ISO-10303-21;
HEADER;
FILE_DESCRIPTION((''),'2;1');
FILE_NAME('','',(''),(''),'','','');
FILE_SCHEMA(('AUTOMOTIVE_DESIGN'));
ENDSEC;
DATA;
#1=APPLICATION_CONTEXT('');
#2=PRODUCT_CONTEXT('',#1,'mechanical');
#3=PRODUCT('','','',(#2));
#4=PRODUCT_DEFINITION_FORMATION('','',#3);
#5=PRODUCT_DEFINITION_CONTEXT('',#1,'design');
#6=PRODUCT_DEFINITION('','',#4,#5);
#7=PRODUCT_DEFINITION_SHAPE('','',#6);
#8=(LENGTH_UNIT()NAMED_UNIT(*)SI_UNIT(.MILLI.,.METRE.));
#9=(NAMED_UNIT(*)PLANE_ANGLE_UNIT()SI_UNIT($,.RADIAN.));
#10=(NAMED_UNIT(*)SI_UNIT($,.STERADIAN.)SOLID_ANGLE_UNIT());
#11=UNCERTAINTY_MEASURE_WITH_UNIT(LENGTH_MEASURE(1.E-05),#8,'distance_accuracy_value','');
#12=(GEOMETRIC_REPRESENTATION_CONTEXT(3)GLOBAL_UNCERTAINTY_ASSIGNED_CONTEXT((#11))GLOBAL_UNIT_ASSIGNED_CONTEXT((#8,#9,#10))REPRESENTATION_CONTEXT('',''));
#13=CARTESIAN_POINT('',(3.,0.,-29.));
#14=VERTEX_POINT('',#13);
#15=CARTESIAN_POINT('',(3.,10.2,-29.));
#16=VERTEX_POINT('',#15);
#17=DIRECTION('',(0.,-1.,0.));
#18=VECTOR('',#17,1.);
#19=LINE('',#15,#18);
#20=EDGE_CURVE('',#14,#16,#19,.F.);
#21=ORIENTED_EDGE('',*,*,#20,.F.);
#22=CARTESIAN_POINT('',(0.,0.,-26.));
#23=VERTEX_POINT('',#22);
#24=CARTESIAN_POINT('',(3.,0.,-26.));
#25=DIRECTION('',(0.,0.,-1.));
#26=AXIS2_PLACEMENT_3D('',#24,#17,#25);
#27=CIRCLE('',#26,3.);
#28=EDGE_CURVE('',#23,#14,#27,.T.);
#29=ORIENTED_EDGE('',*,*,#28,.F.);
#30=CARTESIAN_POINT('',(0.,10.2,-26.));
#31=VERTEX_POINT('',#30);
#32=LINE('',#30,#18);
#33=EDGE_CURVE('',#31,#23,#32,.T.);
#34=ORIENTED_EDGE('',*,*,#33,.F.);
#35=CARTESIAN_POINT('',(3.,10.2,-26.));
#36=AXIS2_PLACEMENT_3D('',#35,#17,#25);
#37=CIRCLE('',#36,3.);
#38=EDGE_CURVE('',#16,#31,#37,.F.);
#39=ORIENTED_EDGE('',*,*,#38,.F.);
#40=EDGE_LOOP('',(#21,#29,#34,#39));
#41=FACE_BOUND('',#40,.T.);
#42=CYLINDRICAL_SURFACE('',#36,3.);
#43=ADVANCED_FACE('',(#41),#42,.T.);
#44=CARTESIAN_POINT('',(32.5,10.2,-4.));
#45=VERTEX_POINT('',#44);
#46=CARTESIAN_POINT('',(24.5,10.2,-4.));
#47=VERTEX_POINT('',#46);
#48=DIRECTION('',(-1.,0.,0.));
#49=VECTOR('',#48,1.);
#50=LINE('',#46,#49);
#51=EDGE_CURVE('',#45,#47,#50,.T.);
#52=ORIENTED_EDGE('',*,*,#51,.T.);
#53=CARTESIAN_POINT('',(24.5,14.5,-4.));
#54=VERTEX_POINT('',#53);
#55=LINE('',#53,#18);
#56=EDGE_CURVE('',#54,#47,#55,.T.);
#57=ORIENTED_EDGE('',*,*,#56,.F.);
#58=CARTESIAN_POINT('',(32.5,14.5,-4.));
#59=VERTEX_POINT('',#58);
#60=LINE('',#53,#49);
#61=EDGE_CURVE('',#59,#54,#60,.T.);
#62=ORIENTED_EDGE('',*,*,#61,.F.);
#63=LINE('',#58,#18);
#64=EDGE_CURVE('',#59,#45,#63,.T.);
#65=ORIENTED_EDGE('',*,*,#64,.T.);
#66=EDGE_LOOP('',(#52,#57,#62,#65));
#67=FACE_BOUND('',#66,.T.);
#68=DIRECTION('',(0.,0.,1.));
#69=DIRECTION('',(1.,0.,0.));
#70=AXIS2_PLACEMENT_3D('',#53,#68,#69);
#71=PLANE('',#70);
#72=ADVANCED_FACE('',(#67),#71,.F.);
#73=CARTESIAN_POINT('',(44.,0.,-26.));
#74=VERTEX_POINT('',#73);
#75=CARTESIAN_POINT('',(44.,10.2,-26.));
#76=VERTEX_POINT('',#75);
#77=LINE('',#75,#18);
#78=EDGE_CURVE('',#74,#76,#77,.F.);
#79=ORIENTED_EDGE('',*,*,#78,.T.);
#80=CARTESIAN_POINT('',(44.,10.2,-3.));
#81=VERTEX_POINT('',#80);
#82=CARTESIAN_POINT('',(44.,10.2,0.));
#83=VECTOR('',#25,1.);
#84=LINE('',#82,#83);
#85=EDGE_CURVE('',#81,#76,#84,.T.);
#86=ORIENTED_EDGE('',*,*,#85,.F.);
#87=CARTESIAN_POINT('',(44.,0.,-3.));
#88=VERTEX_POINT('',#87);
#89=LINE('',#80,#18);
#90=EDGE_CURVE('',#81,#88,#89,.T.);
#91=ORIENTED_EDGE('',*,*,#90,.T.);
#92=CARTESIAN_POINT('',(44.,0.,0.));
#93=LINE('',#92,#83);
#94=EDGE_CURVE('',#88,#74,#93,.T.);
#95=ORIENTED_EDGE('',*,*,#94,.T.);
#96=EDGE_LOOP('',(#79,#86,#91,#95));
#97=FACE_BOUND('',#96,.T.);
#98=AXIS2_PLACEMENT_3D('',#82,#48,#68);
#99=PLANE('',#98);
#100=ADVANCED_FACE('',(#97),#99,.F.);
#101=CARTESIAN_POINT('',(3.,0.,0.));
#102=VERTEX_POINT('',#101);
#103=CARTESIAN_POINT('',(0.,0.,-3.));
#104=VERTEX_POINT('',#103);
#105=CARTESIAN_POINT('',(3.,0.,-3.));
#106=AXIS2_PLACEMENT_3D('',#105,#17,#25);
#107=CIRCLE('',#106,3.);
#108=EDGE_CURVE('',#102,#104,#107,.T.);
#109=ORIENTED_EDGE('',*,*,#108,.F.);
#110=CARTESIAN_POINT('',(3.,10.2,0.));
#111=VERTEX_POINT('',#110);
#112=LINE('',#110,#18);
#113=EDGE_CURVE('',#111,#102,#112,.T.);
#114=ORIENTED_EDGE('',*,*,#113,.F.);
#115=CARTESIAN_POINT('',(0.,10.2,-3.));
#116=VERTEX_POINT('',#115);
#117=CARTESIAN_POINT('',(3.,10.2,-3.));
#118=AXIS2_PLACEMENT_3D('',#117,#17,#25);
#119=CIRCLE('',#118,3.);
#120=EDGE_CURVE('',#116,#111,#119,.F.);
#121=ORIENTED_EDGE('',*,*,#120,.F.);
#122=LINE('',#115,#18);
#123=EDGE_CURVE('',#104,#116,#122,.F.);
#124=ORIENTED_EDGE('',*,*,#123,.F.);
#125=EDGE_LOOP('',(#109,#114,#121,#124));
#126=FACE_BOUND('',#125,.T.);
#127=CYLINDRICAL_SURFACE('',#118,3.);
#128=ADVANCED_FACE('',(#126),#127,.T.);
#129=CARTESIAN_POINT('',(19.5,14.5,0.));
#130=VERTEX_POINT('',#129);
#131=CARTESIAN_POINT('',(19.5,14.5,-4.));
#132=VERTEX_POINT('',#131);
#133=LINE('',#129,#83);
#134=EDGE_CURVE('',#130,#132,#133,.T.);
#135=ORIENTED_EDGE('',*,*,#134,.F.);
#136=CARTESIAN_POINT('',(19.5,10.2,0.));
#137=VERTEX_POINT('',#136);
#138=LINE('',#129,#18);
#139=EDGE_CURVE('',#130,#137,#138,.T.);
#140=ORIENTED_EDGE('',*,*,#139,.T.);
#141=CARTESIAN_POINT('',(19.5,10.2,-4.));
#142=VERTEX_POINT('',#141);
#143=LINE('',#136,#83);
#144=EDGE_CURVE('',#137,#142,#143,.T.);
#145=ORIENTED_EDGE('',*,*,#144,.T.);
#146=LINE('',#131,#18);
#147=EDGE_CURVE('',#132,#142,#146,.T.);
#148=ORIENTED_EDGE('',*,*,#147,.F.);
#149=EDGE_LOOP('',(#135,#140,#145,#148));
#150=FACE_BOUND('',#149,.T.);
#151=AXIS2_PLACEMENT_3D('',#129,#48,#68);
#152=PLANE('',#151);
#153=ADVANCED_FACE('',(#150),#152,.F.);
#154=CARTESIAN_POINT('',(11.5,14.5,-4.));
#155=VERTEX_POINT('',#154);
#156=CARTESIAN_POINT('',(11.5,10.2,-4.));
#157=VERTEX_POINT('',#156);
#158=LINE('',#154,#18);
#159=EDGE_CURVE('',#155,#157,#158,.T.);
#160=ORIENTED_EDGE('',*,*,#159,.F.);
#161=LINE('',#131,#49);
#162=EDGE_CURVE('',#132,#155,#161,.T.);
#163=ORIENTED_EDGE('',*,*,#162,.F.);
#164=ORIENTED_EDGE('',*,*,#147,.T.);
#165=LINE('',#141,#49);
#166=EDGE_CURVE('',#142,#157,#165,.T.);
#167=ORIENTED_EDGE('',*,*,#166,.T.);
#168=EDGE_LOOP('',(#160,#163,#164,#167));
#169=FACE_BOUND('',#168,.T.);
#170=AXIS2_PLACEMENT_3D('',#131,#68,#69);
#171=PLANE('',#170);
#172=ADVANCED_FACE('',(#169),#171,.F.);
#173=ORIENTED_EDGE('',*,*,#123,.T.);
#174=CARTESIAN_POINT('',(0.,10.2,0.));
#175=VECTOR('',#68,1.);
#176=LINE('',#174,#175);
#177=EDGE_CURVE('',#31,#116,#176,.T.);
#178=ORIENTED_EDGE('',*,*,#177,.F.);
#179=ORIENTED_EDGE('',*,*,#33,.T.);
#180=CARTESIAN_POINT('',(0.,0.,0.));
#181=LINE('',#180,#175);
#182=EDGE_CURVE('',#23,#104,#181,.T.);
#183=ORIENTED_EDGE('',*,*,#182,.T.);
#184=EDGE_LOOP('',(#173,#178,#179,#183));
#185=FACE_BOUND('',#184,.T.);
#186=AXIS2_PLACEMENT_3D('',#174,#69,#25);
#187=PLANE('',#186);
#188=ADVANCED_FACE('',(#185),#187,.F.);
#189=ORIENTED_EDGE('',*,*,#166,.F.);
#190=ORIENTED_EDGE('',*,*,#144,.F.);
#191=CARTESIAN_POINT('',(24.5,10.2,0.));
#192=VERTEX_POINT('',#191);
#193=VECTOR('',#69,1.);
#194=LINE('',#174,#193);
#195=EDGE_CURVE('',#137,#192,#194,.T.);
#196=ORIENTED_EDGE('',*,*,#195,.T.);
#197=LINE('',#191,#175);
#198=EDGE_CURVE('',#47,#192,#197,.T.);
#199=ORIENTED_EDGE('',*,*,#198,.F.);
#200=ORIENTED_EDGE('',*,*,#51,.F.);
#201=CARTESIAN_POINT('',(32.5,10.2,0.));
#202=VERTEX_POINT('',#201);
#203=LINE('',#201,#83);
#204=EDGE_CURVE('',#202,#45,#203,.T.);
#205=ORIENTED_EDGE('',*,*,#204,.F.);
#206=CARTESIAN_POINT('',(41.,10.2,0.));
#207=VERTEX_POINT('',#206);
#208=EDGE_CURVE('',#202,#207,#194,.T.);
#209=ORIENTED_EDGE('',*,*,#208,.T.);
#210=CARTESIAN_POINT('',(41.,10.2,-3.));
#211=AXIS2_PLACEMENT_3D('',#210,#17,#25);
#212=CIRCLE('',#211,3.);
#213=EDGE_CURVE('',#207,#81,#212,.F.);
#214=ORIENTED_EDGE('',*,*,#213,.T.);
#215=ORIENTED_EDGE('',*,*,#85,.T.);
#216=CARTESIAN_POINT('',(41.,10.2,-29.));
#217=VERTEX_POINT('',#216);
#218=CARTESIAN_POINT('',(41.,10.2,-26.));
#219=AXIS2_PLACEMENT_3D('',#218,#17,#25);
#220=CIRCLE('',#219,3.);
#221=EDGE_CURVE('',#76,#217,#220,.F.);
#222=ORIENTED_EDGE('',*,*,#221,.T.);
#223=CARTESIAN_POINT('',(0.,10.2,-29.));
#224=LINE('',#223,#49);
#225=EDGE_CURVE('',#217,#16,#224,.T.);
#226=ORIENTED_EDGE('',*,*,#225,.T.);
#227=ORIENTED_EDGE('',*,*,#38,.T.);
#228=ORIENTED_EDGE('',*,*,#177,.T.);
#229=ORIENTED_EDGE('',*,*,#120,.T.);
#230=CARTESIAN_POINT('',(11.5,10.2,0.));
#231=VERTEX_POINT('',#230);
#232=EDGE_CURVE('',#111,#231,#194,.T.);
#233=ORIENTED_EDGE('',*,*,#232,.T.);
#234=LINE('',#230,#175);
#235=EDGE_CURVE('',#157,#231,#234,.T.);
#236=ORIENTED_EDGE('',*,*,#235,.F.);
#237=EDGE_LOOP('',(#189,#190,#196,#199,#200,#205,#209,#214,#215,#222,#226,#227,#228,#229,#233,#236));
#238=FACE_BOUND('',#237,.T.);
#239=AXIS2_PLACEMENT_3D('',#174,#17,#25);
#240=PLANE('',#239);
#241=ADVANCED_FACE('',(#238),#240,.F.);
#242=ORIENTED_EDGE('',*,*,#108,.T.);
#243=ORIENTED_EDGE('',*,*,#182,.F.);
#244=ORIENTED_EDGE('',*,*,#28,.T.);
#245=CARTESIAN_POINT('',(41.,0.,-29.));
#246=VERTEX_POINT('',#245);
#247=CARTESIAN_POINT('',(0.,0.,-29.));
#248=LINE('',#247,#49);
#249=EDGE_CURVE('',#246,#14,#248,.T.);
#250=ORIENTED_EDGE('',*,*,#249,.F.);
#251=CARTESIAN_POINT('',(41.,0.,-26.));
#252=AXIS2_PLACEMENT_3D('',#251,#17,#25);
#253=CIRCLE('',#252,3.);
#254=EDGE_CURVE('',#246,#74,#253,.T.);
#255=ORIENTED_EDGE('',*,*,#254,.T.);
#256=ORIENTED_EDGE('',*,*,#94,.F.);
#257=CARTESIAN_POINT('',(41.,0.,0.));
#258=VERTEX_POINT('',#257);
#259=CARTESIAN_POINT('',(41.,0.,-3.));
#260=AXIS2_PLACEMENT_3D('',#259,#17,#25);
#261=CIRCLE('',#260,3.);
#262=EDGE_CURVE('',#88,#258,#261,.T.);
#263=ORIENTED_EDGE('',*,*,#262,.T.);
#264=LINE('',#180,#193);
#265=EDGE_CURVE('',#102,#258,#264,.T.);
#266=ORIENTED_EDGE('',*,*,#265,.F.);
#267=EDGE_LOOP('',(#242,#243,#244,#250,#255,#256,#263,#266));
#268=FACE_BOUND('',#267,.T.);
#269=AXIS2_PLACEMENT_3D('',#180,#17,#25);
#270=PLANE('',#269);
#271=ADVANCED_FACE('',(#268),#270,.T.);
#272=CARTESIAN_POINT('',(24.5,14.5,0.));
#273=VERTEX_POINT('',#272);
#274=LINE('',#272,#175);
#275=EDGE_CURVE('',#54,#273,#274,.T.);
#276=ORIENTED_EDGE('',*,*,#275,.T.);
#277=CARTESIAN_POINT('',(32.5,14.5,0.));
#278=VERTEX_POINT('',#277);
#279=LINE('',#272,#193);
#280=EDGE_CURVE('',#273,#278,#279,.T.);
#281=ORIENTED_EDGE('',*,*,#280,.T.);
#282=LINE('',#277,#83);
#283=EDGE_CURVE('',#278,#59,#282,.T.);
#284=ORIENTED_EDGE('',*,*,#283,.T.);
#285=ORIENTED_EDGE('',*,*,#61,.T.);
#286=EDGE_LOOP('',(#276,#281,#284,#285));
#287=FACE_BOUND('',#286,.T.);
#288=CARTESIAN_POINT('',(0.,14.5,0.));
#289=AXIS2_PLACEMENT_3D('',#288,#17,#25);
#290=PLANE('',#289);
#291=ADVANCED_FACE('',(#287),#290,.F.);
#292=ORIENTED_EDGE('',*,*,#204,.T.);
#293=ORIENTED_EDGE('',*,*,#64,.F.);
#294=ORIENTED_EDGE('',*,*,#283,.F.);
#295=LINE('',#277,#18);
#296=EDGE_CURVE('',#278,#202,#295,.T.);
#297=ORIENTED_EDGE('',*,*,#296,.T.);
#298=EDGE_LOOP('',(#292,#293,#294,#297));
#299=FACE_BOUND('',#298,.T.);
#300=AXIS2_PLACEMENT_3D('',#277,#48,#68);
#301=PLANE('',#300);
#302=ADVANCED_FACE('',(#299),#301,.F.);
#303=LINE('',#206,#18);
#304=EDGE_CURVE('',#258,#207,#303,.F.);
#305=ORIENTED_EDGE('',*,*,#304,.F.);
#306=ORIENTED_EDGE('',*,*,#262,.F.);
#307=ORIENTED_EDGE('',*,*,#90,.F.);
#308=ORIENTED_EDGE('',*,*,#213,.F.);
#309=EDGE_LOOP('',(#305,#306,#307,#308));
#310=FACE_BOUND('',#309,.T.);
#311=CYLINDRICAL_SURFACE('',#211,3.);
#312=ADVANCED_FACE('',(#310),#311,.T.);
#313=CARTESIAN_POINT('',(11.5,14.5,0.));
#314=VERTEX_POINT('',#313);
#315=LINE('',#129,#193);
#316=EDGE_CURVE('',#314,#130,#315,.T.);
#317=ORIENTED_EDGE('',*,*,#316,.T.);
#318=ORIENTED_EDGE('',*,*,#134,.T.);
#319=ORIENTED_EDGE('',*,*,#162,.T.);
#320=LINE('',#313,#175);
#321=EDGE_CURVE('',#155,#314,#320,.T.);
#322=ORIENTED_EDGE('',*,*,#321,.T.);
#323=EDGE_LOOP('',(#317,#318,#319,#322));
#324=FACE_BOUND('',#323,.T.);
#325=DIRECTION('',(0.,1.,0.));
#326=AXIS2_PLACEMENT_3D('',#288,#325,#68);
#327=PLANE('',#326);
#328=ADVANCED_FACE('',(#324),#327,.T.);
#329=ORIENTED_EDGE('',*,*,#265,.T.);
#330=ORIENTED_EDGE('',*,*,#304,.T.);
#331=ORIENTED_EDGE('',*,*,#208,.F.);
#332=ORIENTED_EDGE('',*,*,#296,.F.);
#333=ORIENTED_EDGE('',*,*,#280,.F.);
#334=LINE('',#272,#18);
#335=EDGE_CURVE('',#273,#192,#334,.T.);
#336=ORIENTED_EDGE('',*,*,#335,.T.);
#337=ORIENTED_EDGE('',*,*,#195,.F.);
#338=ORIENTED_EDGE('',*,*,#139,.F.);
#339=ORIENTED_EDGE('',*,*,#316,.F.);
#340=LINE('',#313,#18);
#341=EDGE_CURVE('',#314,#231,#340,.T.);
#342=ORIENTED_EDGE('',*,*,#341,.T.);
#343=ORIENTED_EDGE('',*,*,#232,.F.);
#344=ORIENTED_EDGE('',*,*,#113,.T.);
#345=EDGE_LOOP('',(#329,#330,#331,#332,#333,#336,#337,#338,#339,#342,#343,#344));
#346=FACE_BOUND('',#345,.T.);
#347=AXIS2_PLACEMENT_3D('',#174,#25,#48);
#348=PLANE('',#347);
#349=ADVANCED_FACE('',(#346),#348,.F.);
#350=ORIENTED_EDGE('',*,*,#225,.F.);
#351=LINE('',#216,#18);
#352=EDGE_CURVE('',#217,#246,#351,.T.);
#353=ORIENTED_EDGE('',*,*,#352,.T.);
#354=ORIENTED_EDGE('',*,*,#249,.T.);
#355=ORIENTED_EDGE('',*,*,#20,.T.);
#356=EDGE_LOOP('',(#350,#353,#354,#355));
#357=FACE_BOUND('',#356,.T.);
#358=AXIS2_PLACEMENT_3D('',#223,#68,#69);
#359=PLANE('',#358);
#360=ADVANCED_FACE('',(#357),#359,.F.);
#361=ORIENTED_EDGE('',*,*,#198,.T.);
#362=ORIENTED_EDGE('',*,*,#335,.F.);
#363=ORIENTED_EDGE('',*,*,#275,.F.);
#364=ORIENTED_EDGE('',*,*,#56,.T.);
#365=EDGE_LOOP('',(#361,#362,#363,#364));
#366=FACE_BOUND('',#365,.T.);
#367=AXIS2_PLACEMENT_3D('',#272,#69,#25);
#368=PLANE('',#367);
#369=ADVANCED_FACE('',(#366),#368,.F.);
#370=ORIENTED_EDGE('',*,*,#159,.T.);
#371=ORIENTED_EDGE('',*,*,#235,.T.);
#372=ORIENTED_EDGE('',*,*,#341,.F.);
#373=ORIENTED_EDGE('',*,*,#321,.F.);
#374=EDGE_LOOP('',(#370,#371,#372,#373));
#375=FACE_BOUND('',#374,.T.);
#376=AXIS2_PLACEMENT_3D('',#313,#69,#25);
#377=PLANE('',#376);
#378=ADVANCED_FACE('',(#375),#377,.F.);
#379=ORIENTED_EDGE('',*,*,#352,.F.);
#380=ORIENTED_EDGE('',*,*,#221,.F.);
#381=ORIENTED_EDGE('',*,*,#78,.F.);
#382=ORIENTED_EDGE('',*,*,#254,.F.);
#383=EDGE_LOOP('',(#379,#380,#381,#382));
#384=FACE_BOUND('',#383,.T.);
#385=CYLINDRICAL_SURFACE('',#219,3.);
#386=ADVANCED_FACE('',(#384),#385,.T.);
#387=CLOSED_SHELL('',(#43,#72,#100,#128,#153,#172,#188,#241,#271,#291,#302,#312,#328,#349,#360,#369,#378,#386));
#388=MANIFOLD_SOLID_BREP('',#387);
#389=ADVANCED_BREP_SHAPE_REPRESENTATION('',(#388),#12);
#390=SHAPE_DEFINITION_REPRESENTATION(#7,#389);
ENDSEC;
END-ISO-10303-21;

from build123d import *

# Parameters (mm, degrees)
SKETCH1_W           = 44
SKETCH1_H           = 29
BOSS_EXTRUDE1_DEPTH = 10.2
SKETCH2_W           = 8
SKETCH2_H           = 4
BOSS_EXTRUDE2_DEPTH = 4.3
FILLET1_R           = 3


with BuildPart() as part:
    # Sketch1 → Boss-Extrude1 (new body)
    with BuildSketch(Plane(origin=(0, 0, 0), x_dir=(1, 0, 0), z_dir=(0, 1, 0))):
        with Locations((22, 14.5)):
            Rectangle(SKETCH1_W, SKETCH1_H)
    extrude(amount=BOSS_EXTRUDE1_DEPTH)

    # Sketch2 → Boss-Extrude2 (add)
    with BuildSketch(Plane(origin=(0, 10.2, 0), x_dir=(1, 0, 0), z_dir=(0, 1, 0))):
        with Locations((28.5, 2)):
            Rectangle(SKETCH2_W, SKETCH2_H)
        with Locations((15.5, 2)):
            Rectangle(SKETCH2_W, SKETCH2_H)
    extrude(amount=BOSS_EXTRUDE2_DEPTH)

    # Fillet1
    fillet1_edges = [part.edges().sort_by_distance(p)[0] for p in [
        (0, 5.1, -29),
        (44, 5.1, -29),
        (44, 5.1, 0),
        (0, 5.1, 0),
    ]]
    fillet(fillet1_edges, radius=FILLET1_R)


solid = part.part
